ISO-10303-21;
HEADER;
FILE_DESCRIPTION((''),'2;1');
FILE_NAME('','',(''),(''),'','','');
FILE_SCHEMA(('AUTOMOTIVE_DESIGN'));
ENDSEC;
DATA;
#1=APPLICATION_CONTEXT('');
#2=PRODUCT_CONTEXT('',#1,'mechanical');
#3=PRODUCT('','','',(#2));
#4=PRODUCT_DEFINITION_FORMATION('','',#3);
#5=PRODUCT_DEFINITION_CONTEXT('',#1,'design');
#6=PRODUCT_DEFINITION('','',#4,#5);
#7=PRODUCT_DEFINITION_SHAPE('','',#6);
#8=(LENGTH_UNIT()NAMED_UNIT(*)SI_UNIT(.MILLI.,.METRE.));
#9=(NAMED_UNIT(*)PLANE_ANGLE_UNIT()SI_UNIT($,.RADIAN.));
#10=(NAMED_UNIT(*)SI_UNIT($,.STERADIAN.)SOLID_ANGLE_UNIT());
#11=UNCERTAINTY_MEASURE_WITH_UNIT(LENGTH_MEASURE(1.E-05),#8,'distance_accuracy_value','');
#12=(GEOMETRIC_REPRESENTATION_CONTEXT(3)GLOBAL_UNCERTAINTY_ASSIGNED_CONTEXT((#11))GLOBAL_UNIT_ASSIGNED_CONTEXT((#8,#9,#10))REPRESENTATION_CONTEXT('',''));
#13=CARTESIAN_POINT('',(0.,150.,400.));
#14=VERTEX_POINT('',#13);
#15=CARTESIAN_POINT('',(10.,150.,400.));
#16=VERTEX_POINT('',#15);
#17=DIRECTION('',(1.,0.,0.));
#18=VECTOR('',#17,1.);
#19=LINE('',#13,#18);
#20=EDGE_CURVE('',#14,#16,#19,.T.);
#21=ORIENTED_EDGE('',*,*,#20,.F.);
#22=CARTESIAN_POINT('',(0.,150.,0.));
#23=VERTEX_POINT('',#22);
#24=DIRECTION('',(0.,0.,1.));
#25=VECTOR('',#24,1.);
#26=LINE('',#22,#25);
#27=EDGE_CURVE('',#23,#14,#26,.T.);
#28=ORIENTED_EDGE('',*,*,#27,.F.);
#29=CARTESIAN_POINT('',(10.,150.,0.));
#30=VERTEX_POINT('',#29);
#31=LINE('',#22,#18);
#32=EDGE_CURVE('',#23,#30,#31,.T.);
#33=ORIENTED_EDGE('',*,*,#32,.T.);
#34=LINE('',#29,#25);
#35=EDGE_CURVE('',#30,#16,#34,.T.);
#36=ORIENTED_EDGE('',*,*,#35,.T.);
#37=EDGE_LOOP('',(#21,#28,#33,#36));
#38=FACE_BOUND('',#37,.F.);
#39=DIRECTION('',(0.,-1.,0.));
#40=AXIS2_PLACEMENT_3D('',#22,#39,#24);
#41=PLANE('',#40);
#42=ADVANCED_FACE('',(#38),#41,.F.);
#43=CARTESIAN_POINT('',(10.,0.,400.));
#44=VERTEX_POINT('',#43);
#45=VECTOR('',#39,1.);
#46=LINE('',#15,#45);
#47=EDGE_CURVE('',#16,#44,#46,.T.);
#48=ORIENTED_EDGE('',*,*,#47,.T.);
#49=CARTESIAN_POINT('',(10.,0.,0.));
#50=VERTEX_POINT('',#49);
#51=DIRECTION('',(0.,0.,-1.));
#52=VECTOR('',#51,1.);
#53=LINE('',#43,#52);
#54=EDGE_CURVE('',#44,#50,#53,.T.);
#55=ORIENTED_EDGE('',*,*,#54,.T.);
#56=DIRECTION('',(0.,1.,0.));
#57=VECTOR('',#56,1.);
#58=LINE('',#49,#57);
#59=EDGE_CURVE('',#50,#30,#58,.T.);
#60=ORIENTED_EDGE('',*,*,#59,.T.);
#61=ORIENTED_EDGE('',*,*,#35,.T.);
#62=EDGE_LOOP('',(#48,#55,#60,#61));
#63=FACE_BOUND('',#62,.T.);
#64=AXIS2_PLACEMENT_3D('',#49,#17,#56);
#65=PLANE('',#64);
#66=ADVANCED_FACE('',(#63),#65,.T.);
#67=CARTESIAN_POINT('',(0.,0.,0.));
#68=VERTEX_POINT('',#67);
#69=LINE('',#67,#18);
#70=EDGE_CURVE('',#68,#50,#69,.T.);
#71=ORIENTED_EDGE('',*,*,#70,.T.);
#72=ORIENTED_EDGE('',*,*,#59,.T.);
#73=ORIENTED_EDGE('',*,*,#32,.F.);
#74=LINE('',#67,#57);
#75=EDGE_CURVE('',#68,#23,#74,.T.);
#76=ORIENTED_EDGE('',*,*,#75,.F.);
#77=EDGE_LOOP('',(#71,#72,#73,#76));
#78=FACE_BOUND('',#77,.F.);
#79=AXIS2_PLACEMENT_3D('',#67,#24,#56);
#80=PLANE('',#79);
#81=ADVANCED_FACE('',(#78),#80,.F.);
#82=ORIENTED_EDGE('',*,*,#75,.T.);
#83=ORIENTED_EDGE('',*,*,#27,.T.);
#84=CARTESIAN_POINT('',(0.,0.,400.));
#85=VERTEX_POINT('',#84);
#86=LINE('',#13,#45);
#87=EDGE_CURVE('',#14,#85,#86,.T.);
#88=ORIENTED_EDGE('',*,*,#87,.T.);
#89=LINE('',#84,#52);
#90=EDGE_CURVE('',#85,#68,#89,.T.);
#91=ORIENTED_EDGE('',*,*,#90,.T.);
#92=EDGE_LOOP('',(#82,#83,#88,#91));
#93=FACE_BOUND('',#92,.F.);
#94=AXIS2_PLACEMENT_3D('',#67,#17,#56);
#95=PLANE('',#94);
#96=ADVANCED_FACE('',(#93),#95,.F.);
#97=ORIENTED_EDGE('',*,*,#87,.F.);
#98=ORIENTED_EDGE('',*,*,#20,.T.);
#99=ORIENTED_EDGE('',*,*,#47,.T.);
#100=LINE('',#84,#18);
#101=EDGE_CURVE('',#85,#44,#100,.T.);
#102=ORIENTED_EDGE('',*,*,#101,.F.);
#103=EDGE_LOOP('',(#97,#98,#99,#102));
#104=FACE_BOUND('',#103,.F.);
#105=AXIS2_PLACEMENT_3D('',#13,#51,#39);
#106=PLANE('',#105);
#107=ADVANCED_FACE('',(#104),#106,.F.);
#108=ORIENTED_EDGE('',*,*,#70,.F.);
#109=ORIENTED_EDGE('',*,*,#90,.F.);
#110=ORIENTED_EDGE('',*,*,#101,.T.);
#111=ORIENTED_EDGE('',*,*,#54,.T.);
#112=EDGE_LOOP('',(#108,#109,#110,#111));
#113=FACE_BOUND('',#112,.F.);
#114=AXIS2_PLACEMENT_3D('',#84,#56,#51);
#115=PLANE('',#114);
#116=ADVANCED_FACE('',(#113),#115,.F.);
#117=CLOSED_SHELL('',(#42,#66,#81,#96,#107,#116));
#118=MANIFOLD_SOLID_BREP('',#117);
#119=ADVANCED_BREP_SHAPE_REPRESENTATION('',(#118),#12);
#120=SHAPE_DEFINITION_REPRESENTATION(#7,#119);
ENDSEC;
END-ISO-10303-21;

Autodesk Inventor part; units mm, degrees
ref_plane "YZ Plane" through (0, 0, 0) normal (1, 0, 0) x (0, 1, 0)
ref_plane "XZ Plane" through (0, 0, 0) normal (0, 1, 0) x (-1, 0, 0)
ref_plane "XY Plane" through (0, 0, 0) normal (0, 0, 1) x (1, 0, 0)
sketch "Sketch1" plane through (0, 0, 0) normal (1, 0, 0) x (0, 1, 0)
  line L0 (0, 0) -> (150, 0)
  line L1 (150, 0) -> (150, 400)
  line L2 (150, 400) -> (0, 400)
  line L3 (0, 400) -> (0, 0)
  dimension "d0" = 400
  dimension "d1" = 150
extrude "Extrusion1" add sketch "Sketch1" along normal blind 10
properties part number "SideSupport"
